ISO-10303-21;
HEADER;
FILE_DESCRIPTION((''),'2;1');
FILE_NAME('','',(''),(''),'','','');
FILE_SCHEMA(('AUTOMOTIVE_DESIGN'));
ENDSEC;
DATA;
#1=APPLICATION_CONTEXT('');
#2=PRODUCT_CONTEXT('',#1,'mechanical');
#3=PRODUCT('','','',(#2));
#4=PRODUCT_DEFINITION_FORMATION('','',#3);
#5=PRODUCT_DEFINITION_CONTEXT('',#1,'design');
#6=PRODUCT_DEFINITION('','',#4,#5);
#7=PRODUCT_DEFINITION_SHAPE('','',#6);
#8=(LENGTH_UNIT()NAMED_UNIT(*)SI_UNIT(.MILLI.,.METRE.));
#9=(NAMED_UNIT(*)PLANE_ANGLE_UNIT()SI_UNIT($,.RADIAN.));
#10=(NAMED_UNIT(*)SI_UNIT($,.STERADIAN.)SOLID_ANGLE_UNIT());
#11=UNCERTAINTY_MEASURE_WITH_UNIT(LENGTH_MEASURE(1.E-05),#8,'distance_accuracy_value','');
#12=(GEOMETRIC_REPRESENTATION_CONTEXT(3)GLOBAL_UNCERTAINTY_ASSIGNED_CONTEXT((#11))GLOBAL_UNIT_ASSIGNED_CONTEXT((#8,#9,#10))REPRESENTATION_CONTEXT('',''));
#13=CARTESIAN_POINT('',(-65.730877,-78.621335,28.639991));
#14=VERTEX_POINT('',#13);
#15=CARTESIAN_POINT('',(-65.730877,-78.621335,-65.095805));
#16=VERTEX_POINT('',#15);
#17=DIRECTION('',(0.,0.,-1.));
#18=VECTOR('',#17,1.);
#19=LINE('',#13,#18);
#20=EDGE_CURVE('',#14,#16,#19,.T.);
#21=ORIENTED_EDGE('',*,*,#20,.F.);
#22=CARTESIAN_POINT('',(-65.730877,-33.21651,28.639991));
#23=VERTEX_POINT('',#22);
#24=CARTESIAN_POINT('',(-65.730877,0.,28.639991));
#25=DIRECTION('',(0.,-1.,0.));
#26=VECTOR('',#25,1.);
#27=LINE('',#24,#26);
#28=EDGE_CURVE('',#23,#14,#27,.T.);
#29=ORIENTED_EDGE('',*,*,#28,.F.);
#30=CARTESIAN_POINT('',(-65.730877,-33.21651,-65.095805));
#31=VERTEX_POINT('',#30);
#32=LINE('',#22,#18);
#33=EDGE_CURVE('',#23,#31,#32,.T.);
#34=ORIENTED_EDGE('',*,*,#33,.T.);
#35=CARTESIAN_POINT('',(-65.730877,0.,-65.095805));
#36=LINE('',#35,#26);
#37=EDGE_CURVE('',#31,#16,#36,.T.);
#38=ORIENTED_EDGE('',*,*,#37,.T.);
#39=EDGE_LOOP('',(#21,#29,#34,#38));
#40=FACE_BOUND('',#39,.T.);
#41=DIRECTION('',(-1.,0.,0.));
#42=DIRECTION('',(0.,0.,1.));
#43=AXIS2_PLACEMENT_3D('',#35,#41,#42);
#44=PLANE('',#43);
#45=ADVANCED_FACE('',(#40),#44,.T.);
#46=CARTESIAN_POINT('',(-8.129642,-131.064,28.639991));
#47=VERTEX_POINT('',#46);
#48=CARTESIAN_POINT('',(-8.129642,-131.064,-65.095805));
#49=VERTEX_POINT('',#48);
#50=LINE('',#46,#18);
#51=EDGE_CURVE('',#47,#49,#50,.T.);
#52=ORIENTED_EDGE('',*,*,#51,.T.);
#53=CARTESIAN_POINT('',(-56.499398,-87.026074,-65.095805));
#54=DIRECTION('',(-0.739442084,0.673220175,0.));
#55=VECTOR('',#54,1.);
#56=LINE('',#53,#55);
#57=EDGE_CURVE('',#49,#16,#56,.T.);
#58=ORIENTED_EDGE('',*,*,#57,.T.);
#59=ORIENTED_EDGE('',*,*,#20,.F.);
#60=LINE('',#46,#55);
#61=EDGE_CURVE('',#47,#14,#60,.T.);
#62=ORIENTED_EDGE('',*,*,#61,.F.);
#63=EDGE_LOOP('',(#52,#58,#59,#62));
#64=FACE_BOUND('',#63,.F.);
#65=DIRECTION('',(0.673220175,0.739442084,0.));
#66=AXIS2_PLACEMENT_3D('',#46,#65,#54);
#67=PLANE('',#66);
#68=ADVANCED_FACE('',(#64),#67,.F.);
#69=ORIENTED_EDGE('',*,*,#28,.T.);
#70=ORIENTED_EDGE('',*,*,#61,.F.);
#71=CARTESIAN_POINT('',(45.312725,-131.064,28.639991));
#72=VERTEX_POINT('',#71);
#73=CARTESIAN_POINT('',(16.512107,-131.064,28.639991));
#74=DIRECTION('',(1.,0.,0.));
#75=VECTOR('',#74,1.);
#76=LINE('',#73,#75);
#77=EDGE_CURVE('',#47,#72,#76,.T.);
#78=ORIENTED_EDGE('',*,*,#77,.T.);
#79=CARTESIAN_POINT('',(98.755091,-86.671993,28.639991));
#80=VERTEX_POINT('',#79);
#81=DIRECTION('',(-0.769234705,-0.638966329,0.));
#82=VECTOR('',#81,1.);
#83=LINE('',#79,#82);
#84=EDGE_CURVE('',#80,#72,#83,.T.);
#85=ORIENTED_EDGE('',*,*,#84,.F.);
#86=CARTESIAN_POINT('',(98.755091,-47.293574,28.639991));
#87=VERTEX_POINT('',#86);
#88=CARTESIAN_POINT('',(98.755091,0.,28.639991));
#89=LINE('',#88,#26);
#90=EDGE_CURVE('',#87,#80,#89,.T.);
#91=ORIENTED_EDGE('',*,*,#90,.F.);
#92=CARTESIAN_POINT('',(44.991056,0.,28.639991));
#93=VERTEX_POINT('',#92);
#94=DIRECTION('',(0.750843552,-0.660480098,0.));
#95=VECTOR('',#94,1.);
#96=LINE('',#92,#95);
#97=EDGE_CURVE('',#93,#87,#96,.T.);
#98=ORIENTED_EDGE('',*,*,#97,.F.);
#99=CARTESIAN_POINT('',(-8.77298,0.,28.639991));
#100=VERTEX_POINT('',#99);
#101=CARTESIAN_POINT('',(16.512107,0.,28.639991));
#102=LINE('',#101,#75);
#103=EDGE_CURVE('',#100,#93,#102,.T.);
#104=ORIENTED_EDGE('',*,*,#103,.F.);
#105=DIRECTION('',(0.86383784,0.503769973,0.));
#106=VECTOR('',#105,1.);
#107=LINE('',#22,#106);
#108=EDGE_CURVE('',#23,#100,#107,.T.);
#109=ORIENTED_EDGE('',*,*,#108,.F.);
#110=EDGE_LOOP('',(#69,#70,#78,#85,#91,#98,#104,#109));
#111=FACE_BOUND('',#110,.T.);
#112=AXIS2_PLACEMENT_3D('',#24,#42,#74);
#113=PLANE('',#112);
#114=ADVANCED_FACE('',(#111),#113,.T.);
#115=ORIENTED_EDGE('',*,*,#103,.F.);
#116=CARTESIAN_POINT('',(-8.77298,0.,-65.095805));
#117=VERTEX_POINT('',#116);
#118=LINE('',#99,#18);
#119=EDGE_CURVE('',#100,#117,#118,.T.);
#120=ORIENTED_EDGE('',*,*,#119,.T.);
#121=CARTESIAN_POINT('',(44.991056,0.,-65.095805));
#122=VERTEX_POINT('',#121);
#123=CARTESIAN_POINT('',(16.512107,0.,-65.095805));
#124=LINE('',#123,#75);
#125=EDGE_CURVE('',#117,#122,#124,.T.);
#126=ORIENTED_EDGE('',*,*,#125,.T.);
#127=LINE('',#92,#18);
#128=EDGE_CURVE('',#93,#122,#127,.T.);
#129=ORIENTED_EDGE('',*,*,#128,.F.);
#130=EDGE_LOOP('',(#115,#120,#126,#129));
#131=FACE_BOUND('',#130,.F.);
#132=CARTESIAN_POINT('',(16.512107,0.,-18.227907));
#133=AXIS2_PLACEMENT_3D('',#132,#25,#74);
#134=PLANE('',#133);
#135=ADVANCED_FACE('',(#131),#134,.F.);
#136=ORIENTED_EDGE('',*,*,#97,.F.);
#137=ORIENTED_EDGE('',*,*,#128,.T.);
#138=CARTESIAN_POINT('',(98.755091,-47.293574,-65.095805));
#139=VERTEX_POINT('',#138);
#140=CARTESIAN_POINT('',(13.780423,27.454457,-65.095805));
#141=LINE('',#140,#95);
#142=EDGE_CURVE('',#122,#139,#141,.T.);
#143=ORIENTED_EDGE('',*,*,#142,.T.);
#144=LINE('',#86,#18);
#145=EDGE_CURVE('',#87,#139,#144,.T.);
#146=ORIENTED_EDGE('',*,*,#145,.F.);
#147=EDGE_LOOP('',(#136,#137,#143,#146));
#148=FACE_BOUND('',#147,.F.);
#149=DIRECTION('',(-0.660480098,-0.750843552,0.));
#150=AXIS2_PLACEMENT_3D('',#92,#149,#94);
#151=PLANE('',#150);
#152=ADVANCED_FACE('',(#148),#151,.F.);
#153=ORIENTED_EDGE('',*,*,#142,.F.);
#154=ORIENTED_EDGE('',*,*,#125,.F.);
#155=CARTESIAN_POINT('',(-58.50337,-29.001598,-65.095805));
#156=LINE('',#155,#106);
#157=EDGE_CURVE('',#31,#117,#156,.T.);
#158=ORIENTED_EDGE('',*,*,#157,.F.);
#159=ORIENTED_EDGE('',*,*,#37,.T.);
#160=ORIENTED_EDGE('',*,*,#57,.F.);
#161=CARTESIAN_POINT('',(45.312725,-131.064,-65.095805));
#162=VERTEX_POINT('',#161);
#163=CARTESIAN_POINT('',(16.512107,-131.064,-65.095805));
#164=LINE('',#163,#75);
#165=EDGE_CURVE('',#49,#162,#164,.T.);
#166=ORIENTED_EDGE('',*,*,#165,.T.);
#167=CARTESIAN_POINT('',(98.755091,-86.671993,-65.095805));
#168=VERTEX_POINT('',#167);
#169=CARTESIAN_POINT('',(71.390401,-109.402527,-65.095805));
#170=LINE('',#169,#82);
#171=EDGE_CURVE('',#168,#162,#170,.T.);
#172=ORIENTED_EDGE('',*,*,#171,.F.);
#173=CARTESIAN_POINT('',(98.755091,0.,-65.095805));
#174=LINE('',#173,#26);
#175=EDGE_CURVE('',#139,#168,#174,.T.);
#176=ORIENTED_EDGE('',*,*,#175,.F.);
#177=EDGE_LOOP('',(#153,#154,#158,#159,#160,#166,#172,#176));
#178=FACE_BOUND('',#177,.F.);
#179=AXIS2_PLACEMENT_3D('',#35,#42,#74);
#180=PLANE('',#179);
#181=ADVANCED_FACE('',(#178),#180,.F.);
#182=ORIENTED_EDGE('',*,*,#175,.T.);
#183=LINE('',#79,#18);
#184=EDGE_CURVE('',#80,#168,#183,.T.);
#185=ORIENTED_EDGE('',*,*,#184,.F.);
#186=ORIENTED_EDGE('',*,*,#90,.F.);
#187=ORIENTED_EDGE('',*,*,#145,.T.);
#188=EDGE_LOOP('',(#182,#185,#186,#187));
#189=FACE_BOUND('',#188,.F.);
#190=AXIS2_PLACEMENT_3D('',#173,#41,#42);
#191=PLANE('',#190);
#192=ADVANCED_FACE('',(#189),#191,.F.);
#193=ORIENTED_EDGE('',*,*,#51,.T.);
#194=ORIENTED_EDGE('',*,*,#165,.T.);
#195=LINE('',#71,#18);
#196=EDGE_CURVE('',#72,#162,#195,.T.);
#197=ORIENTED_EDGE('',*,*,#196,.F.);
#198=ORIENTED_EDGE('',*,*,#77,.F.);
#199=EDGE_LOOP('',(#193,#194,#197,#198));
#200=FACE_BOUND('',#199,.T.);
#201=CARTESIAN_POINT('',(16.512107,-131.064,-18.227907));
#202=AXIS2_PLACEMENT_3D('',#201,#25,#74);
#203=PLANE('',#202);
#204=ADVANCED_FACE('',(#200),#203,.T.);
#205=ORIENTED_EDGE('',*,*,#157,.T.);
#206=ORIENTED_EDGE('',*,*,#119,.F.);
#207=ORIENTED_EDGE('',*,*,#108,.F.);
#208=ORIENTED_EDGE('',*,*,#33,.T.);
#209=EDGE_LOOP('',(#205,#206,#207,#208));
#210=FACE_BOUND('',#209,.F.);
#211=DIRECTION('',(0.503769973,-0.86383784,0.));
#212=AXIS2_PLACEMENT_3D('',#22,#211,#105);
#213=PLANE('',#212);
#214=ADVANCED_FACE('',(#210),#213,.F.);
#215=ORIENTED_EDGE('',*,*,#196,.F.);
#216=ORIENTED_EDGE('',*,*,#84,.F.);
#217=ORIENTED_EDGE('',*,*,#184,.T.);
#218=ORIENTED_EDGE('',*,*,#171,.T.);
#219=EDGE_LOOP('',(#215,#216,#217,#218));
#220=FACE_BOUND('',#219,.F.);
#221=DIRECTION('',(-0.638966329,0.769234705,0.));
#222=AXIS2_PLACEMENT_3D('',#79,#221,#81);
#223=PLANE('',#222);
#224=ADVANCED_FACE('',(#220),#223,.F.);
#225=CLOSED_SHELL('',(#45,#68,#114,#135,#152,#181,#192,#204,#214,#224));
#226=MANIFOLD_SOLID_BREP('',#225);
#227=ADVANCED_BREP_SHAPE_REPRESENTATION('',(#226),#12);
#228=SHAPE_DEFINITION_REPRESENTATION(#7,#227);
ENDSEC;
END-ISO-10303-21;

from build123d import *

# Parameters (mm, degrees)
F0_W     = 164.485968
F0_H     = 93.735796
F1_DEPTH = 131.064
F3_DEPTH = 109.474
F5_DEPTH = 175.768
F7_DEPTH = 175.514
F9_DEPTH = 113.538


with BuildPart() as f1:
    # F0 (on Front) → F1 (new body)
    with BuildSketch(Plane.XZ):
        with Locations((16.512107, -18.227907)):
            Rectangle(F0_W, F0_H)
    extrude(amount=F1_DEPTH)

    # F2 (on face) → F3 (cut)
    with BuildSketch(Plane.XY.offset(28.639991)):
        Polygon((-8.129642, -131.064), (-65.730877, -78.621335), (-65.730877, -131.064), align=None)
    extrude(amount=-F3_DEPTH, mode=Mode.SUBTRACT)

    # F4 (on face) → F5 (cut)
    with BuildSketch(Plane.XY.offset(28.639991)):
        Polygon((-65.730877, 0), (-65.730877, -33.21651), (-19.07178, 0), align=None)
    extrude(amount=-F5_DEPTH, mode=Mode.SUBTRACT)

    # F6 (on face) → F7 (cut)
    with BuildSketch(Plane.XY.offset(28.639991)):
        Polygon((-65.730877, -33.21651), (-8.77298, 0), (-19.07178, 0), align=None)
    extrude(amount=-F7_DEPTH, mode=Mode.SUBTRACT)

    # F8 (on face) → F9 (cut)
    with BuildSketch(Plane.XY.offset(28.639991)):
        Polygon((98.755091, 0), (44.991056, 0), (98.755091, -47.293574), align=None)
        Polygon((98.755091, -131.064), (98.755091, -86.671993), (45.312725, -131.064), align=None)
    extrude(amount=-F9_DEPTH, mode=Mode.SUBTRACT)


solid = f1.part
